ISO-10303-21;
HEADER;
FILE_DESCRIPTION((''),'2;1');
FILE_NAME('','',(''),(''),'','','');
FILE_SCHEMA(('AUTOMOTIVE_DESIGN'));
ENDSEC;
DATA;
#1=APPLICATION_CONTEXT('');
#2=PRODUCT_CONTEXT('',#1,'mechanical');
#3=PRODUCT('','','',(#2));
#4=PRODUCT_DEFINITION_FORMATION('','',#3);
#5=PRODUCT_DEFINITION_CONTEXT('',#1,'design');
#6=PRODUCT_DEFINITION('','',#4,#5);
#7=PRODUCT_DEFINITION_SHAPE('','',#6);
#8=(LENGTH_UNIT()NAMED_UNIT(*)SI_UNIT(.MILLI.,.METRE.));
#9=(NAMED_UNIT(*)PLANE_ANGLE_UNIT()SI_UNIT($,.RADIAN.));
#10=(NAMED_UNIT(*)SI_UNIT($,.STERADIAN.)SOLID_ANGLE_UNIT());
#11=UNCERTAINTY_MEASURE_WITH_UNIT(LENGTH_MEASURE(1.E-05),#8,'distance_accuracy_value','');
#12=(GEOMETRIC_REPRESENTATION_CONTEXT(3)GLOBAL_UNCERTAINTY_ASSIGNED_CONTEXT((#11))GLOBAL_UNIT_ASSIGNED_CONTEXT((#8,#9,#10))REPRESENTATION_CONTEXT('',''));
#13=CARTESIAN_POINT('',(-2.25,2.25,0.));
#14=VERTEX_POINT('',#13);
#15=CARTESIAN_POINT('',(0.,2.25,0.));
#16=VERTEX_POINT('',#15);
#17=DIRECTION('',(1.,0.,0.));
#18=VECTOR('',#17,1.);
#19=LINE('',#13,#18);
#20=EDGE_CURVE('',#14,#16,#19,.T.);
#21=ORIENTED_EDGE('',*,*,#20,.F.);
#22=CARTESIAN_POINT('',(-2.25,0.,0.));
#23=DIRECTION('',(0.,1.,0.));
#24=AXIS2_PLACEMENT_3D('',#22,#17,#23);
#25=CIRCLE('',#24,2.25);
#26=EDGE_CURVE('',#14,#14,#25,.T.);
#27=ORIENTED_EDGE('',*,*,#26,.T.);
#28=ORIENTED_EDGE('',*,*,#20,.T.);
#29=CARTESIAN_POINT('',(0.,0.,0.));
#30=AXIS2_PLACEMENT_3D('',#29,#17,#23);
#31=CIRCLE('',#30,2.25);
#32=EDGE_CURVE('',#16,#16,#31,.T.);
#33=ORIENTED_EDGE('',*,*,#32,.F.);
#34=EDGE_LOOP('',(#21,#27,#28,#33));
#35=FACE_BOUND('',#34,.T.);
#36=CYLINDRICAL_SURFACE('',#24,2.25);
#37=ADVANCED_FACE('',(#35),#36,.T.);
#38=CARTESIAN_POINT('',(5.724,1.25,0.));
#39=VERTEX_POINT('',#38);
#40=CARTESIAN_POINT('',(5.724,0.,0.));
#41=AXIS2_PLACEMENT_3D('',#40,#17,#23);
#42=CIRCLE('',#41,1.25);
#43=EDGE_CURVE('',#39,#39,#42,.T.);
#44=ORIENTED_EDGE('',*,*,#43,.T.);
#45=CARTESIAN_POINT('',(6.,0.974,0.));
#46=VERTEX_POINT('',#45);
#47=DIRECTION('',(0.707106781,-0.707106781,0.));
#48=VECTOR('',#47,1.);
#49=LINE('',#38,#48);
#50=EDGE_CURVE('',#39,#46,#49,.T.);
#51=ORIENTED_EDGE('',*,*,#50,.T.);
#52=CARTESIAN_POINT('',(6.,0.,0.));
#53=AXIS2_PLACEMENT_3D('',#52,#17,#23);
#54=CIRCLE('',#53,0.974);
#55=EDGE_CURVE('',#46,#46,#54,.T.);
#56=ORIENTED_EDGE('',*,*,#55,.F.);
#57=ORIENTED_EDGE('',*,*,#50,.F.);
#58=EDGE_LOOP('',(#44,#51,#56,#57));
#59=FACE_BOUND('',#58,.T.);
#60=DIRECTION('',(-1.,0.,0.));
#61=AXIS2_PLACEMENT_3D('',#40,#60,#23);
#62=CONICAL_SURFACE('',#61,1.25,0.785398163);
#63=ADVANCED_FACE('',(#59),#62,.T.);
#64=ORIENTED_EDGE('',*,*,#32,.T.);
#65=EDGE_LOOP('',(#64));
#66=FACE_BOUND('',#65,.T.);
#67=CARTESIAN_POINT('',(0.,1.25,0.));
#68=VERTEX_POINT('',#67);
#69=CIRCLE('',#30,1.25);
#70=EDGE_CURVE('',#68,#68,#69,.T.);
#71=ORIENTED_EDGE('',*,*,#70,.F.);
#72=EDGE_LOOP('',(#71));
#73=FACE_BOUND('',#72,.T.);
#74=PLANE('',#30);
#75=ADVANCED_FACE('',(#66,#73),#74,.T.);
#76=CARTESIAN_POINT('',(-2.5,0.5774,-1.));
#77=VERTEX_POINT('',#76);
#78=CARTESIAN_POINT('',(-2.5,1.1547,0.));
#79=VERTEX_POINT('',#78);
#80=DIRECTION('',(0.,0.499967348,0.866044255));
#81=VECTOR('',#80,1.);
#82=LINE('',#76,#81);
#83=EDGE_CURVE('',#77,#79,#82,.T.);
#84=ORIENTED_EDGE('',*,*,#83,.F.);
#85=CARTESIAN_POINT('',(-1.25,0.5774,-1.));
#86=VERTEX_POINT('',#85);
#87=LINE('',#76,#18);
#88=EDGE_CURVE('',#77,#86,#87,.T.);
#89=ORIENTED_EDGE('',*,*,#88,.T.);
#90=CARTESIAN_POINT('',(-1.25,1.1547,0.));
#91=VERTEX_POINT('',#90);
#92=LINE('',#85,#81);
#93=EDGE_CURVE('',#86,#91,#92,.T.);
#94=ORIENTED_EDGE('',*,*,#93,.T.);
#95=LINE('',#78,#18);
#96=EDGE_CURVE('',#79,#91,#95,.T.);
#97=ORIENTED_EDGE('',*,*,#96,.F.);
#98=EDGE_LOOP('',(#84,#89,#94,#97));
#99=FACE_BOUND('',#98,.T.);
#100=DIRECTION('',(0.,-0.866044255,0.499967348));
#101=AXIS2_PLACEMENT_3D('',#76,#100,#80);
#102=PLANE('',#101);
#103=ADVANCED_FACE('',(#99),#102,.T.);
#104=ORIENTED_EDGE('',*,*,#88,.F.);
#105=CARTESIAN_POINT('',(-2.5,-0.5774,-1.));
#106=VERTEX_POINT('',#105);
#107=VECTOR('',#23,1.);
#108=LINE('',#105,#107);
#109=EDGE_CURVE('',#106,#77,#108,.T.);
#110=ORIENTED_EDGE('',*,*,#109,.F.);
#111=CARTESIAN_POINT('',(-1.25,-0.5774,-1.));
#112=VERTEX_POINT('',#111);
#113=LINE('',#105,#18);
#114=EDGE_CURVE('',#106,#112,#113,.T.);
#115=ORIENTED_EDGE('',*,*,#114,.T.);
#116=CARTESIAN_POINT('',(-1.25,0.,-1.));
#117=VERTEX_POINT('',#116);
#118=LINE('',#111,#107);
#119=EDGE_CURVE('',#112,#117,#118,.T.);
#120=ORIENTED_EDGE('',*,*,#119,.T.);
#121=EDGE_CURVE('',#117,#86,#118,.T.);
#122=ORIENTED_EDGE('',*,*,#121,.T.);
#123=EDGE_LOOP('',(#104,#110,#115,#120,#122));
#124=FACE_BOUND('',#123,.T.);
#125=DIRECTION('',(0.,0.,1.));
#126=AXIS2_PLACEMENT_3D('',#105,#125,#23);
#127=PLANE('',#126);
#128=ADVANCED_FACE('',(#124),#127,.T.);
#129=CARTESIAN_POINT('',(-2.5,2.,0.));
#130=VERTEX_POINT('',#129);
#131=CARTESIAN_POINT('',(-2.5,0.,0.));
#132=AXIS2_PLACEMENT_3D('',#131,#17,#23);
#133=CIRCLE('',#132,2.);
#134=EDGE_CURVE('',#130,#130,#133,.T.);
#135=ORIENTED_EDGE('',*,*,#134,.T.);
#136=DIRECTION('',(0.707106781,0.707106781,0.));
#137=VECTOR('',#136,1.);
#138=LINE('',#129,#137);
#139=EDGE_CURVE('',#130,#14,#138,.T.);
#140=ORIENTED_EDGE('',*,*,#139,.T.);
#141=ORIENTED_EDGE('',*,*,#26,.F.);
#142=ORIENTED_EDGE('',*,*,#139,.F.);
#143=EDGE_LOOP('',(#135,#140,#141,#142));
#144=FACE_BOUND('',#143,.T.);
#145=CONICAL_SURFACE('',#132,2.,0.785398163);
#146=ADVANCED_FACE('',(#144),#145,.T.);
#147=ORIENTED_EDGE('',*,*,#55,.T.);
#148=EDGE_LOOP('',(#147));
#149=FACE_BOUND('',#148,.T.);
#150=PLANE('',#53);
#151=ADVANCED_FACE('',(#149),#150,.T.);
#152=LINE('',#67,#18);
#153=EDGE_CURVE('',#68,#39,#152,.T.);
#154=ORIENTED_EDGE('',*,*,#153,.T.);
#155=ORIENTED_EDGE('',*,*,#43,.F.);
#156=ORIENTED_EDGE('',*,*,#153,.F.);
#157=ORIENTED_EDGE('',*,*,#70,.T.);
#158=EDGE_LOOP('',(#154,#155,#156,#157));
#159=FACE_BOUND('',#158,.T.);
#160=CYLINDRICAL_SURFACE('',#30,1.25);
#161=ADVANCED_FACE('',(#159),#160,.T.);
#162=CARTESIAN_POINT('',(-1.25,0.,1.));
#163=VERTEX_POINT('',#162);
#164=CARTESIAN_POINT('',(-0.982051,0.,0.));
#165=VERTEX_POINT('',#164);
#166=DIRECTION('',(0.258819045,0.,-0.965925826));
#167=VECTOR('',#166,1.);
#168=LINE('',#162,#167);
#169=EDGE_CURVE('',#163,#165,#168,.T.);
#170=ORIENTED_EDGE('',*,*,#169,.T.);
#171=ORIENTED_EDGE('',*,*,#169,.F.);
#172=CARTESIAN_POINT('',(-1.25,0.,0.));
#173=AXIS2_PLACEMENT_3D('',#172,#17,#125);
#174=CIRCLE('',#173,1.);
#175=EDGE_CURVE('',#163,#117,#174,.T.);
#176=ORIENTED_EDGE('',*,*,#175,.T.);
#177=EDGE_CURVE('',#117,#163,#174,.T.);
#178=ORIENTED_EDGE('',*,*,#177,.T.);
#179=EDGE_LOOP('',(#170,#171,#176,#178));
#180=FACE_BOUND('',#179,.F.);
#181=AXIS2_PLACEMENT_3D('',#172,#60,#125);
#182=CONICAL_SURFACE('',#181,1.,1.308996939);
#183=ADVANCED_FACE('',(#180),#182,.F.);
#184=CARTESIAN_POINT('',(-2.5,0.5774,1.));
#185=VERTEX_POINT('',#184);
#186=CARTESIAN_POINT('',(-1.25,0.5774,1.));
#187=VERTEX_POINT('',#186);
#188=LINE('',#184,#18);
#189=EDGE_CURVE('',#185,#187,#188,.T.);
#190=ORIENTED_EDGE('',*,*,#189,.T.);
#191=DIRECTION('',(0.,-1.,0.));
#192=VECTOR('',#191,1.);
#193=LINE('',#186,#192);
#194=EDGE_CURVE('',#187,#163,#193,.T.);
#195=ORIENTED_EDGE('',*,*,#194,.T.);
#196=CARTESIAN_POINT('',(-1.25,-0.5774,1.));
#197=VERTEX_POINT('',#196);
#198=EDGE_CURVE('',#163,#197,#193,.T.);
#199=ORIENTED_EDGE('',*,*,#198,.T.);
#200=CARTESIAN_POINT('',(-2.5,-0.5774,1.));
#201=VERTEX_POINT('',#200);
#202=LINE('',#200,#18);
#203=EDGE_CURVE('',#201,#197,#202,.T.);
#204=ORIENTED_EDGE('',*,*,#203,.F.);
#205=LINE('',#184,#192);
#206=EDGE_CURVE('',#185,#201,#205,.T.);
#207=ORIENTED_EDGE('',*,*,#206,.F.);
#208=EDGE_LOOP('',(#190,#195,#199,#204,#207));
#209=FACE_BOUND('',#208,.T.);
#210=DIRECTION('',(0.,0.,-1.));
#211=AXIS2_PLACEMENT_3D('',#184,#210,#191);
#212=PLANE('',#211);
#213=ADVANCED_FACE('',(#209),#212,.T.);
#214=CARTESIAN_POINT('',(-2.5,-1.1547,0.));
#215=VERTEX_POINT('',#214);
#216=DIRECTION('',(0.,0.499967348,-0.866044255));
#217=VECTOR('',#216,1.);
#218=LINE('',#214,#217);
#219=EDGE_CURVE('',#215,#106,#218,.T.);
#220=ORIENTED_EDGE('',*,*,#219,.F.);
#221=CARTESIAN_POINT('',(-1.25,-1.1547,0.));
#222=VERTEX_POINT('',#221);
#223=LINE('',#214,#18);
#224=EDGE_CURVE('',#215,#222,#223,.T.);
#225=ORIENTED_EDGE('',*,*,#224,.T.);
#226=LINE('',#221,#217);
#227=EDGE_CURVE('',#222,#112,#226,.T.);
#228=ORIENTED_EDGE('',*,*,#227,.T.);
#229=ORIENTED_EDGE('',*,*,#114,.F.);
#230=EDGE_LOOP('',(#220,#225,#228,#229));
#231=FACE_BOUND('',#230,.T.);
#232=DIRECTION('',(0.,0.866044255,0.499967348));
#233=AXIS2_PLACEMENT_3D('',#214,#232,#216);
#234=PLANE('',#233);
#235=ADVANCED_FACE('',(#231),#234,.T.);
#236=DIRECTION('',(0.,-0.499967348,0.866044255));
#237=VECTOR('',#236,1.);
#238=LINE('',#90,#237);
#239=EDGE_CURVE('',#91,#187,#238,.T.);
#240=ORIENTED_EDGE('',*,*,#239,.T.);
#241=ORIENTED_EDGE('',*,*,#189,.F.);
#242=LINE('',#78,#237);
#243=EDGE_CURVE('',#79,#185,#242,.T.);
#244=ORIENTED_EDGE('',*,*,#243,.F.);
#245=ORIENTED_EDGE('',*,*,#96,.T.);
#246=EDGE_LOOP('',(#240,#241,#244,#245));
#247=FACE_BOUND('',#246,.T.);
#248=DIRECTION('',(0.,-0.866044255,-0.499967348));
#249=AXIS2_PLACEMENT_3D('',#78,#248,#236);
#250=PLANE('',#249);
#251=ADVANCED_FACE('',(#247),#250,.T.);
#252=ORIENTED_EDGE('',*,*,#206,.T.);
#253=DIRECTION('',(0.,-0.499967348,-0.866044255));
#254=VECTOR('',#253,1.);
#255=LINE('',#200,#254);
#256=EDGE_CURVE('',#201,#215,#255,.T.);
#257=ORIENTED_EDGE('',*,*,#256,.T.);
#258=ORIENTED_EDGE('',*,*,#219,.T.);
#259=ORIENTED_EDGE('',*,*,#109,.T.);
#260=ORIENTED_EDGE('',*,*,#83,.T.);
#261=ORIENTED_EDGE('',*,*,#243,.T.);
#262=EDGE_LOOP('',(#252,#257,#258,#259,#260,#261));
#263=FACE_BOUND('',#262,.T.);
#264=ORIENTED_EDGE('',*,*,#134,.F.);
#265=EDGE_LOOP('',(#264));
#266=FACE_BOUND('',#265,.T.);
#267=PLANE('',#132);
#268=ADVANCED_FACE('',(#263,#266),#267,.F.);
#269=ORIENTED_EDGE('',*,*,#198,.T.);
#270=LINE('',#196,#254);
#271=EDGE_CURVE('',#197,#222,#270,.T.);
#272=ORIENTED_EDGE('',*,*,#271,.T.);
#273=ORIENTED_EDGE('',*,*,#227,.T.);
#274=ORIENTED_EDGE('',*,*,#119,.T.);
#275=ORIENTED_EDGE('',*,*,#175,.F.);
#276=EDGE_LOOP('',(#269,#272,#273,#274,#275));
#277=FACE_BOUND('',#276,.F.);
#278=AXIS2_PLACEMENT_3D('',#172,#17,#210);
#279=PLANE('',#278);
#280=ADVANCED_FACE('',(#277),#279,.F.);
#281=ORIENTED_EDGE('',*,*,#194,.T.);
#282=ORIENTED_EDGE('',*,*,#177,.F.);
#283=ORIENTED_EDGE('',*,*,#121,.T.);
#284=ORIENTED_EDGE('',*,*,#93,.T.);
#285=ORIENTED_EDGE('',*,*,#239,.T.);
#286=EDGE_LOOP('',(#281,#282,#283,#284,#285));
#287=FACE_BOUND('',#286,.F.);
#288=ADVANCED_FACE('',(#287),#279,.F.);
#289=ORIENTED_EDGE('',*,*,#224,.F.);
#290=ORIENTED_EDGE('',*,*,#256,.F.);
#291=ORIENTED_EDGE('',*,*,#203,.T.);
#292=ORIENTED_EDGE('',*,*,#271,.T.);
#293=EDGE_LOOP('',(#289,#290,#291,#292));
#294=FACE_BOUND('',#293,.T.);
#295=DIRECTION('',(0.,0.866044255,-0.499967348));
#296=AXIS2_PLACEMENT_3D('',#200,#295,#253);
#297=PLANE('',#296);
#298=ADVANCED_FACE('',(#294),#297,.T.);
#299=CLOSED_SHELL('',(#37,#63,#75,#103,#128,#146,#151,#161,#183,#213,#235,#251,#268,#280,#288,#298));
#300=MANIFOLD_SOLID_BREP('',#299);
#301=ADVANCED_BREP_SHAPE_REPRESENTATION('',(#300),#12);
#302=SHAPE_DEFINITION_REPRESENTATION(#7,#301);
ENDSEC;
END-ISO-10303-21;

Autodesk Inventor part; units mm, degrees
sketch "Sketch_1" plane through (0, 0, 0) normal (0, 0, 1) x (1, 0, 0)
  line L0 (6, 0) -> (-2.5, 0)
  line L1 (-2.5, 0) -> (-2.5, 2)
  line L2 (-2.5, 2) -> (-2.25, 2.25)
  line L3 (-2.25, 2.25) -> (0, 2.25)
  line L4 (0, 2.25) -> (0, 1.25)
  line L5 (0, 1.25) -> (5.724, 1.25)
  line L6 (5.724, 1.25) -> (6, 0.974)
  line L7 (6, 0.974) -> (6, 0)
  line L8 (6, 0) -> (-2.5, 0)
revolve "Revolution1" add sketch "Sketch_1" angle 360 about axis through (6, 0, 0) along (1, 0, 0)
thread "Thread1" size "M2.5x0.45" class "6g" standard "ISO Metric profile" length 4.724
sketch "Sketch2" plane through (-2.5, 0, 0) normal (-1, 0, 0) x (0, 0, 1)
  point P0 (0, 0)
hole "Hole1" at (-2.5, 0, 0) direction (1, 0, 0) diameter 2 depth 1.25 tip angle 150
sketch "Sketch_3" plane through (-2.5, 0, 0) normal (1, 0, 0) x (0, 0, -1)
  line L0 (-1, -0.5774) -> (0, -1.1547)
  line L1 (0, -1.1547) -> (1, -0.5774)
  line L2 (1, -0.5774) -> (1, 0.5774)
  line L3 (1, 0.5774) -> (0, 1.1547)
  line L4 (0, 1.1547) -> (-1, 0.5774)
  line L5 (-1, 0.5774) -> (-1, -0.5774)
extrude "Extrusion1" cut sketch "Sketch_3" along normal blind 1.25
ref_plane "bolt_to_nut_XY" through (6, 0, 0) normal (1, 0, 0) x (0, 0, -1)
ref_plane "bolt_to_nut_YZ" through (6, 0, 0) normal (0, 0, -1) x (0, 1, 0)
ref_plane "bolt_to_nut_ZX" through (6, 0, 0) normal (0, 1, 0) x (1, 0, 0)
ref_plane "screw1_XY" through (0, 0, 0) normal (1, 0, 0) x (0, 0, -1)
ref_plane "screw1_YZ" through (0, 0, 0) normal (0, 0, -1) x (0, 1, 0)
ref_plane "screw1_ZX" through (0, 0, 0) normal (0, 1, 0) x (1, 0, 0)
properties part number "CB2_5-6" material "鋼、炭素鋼"
